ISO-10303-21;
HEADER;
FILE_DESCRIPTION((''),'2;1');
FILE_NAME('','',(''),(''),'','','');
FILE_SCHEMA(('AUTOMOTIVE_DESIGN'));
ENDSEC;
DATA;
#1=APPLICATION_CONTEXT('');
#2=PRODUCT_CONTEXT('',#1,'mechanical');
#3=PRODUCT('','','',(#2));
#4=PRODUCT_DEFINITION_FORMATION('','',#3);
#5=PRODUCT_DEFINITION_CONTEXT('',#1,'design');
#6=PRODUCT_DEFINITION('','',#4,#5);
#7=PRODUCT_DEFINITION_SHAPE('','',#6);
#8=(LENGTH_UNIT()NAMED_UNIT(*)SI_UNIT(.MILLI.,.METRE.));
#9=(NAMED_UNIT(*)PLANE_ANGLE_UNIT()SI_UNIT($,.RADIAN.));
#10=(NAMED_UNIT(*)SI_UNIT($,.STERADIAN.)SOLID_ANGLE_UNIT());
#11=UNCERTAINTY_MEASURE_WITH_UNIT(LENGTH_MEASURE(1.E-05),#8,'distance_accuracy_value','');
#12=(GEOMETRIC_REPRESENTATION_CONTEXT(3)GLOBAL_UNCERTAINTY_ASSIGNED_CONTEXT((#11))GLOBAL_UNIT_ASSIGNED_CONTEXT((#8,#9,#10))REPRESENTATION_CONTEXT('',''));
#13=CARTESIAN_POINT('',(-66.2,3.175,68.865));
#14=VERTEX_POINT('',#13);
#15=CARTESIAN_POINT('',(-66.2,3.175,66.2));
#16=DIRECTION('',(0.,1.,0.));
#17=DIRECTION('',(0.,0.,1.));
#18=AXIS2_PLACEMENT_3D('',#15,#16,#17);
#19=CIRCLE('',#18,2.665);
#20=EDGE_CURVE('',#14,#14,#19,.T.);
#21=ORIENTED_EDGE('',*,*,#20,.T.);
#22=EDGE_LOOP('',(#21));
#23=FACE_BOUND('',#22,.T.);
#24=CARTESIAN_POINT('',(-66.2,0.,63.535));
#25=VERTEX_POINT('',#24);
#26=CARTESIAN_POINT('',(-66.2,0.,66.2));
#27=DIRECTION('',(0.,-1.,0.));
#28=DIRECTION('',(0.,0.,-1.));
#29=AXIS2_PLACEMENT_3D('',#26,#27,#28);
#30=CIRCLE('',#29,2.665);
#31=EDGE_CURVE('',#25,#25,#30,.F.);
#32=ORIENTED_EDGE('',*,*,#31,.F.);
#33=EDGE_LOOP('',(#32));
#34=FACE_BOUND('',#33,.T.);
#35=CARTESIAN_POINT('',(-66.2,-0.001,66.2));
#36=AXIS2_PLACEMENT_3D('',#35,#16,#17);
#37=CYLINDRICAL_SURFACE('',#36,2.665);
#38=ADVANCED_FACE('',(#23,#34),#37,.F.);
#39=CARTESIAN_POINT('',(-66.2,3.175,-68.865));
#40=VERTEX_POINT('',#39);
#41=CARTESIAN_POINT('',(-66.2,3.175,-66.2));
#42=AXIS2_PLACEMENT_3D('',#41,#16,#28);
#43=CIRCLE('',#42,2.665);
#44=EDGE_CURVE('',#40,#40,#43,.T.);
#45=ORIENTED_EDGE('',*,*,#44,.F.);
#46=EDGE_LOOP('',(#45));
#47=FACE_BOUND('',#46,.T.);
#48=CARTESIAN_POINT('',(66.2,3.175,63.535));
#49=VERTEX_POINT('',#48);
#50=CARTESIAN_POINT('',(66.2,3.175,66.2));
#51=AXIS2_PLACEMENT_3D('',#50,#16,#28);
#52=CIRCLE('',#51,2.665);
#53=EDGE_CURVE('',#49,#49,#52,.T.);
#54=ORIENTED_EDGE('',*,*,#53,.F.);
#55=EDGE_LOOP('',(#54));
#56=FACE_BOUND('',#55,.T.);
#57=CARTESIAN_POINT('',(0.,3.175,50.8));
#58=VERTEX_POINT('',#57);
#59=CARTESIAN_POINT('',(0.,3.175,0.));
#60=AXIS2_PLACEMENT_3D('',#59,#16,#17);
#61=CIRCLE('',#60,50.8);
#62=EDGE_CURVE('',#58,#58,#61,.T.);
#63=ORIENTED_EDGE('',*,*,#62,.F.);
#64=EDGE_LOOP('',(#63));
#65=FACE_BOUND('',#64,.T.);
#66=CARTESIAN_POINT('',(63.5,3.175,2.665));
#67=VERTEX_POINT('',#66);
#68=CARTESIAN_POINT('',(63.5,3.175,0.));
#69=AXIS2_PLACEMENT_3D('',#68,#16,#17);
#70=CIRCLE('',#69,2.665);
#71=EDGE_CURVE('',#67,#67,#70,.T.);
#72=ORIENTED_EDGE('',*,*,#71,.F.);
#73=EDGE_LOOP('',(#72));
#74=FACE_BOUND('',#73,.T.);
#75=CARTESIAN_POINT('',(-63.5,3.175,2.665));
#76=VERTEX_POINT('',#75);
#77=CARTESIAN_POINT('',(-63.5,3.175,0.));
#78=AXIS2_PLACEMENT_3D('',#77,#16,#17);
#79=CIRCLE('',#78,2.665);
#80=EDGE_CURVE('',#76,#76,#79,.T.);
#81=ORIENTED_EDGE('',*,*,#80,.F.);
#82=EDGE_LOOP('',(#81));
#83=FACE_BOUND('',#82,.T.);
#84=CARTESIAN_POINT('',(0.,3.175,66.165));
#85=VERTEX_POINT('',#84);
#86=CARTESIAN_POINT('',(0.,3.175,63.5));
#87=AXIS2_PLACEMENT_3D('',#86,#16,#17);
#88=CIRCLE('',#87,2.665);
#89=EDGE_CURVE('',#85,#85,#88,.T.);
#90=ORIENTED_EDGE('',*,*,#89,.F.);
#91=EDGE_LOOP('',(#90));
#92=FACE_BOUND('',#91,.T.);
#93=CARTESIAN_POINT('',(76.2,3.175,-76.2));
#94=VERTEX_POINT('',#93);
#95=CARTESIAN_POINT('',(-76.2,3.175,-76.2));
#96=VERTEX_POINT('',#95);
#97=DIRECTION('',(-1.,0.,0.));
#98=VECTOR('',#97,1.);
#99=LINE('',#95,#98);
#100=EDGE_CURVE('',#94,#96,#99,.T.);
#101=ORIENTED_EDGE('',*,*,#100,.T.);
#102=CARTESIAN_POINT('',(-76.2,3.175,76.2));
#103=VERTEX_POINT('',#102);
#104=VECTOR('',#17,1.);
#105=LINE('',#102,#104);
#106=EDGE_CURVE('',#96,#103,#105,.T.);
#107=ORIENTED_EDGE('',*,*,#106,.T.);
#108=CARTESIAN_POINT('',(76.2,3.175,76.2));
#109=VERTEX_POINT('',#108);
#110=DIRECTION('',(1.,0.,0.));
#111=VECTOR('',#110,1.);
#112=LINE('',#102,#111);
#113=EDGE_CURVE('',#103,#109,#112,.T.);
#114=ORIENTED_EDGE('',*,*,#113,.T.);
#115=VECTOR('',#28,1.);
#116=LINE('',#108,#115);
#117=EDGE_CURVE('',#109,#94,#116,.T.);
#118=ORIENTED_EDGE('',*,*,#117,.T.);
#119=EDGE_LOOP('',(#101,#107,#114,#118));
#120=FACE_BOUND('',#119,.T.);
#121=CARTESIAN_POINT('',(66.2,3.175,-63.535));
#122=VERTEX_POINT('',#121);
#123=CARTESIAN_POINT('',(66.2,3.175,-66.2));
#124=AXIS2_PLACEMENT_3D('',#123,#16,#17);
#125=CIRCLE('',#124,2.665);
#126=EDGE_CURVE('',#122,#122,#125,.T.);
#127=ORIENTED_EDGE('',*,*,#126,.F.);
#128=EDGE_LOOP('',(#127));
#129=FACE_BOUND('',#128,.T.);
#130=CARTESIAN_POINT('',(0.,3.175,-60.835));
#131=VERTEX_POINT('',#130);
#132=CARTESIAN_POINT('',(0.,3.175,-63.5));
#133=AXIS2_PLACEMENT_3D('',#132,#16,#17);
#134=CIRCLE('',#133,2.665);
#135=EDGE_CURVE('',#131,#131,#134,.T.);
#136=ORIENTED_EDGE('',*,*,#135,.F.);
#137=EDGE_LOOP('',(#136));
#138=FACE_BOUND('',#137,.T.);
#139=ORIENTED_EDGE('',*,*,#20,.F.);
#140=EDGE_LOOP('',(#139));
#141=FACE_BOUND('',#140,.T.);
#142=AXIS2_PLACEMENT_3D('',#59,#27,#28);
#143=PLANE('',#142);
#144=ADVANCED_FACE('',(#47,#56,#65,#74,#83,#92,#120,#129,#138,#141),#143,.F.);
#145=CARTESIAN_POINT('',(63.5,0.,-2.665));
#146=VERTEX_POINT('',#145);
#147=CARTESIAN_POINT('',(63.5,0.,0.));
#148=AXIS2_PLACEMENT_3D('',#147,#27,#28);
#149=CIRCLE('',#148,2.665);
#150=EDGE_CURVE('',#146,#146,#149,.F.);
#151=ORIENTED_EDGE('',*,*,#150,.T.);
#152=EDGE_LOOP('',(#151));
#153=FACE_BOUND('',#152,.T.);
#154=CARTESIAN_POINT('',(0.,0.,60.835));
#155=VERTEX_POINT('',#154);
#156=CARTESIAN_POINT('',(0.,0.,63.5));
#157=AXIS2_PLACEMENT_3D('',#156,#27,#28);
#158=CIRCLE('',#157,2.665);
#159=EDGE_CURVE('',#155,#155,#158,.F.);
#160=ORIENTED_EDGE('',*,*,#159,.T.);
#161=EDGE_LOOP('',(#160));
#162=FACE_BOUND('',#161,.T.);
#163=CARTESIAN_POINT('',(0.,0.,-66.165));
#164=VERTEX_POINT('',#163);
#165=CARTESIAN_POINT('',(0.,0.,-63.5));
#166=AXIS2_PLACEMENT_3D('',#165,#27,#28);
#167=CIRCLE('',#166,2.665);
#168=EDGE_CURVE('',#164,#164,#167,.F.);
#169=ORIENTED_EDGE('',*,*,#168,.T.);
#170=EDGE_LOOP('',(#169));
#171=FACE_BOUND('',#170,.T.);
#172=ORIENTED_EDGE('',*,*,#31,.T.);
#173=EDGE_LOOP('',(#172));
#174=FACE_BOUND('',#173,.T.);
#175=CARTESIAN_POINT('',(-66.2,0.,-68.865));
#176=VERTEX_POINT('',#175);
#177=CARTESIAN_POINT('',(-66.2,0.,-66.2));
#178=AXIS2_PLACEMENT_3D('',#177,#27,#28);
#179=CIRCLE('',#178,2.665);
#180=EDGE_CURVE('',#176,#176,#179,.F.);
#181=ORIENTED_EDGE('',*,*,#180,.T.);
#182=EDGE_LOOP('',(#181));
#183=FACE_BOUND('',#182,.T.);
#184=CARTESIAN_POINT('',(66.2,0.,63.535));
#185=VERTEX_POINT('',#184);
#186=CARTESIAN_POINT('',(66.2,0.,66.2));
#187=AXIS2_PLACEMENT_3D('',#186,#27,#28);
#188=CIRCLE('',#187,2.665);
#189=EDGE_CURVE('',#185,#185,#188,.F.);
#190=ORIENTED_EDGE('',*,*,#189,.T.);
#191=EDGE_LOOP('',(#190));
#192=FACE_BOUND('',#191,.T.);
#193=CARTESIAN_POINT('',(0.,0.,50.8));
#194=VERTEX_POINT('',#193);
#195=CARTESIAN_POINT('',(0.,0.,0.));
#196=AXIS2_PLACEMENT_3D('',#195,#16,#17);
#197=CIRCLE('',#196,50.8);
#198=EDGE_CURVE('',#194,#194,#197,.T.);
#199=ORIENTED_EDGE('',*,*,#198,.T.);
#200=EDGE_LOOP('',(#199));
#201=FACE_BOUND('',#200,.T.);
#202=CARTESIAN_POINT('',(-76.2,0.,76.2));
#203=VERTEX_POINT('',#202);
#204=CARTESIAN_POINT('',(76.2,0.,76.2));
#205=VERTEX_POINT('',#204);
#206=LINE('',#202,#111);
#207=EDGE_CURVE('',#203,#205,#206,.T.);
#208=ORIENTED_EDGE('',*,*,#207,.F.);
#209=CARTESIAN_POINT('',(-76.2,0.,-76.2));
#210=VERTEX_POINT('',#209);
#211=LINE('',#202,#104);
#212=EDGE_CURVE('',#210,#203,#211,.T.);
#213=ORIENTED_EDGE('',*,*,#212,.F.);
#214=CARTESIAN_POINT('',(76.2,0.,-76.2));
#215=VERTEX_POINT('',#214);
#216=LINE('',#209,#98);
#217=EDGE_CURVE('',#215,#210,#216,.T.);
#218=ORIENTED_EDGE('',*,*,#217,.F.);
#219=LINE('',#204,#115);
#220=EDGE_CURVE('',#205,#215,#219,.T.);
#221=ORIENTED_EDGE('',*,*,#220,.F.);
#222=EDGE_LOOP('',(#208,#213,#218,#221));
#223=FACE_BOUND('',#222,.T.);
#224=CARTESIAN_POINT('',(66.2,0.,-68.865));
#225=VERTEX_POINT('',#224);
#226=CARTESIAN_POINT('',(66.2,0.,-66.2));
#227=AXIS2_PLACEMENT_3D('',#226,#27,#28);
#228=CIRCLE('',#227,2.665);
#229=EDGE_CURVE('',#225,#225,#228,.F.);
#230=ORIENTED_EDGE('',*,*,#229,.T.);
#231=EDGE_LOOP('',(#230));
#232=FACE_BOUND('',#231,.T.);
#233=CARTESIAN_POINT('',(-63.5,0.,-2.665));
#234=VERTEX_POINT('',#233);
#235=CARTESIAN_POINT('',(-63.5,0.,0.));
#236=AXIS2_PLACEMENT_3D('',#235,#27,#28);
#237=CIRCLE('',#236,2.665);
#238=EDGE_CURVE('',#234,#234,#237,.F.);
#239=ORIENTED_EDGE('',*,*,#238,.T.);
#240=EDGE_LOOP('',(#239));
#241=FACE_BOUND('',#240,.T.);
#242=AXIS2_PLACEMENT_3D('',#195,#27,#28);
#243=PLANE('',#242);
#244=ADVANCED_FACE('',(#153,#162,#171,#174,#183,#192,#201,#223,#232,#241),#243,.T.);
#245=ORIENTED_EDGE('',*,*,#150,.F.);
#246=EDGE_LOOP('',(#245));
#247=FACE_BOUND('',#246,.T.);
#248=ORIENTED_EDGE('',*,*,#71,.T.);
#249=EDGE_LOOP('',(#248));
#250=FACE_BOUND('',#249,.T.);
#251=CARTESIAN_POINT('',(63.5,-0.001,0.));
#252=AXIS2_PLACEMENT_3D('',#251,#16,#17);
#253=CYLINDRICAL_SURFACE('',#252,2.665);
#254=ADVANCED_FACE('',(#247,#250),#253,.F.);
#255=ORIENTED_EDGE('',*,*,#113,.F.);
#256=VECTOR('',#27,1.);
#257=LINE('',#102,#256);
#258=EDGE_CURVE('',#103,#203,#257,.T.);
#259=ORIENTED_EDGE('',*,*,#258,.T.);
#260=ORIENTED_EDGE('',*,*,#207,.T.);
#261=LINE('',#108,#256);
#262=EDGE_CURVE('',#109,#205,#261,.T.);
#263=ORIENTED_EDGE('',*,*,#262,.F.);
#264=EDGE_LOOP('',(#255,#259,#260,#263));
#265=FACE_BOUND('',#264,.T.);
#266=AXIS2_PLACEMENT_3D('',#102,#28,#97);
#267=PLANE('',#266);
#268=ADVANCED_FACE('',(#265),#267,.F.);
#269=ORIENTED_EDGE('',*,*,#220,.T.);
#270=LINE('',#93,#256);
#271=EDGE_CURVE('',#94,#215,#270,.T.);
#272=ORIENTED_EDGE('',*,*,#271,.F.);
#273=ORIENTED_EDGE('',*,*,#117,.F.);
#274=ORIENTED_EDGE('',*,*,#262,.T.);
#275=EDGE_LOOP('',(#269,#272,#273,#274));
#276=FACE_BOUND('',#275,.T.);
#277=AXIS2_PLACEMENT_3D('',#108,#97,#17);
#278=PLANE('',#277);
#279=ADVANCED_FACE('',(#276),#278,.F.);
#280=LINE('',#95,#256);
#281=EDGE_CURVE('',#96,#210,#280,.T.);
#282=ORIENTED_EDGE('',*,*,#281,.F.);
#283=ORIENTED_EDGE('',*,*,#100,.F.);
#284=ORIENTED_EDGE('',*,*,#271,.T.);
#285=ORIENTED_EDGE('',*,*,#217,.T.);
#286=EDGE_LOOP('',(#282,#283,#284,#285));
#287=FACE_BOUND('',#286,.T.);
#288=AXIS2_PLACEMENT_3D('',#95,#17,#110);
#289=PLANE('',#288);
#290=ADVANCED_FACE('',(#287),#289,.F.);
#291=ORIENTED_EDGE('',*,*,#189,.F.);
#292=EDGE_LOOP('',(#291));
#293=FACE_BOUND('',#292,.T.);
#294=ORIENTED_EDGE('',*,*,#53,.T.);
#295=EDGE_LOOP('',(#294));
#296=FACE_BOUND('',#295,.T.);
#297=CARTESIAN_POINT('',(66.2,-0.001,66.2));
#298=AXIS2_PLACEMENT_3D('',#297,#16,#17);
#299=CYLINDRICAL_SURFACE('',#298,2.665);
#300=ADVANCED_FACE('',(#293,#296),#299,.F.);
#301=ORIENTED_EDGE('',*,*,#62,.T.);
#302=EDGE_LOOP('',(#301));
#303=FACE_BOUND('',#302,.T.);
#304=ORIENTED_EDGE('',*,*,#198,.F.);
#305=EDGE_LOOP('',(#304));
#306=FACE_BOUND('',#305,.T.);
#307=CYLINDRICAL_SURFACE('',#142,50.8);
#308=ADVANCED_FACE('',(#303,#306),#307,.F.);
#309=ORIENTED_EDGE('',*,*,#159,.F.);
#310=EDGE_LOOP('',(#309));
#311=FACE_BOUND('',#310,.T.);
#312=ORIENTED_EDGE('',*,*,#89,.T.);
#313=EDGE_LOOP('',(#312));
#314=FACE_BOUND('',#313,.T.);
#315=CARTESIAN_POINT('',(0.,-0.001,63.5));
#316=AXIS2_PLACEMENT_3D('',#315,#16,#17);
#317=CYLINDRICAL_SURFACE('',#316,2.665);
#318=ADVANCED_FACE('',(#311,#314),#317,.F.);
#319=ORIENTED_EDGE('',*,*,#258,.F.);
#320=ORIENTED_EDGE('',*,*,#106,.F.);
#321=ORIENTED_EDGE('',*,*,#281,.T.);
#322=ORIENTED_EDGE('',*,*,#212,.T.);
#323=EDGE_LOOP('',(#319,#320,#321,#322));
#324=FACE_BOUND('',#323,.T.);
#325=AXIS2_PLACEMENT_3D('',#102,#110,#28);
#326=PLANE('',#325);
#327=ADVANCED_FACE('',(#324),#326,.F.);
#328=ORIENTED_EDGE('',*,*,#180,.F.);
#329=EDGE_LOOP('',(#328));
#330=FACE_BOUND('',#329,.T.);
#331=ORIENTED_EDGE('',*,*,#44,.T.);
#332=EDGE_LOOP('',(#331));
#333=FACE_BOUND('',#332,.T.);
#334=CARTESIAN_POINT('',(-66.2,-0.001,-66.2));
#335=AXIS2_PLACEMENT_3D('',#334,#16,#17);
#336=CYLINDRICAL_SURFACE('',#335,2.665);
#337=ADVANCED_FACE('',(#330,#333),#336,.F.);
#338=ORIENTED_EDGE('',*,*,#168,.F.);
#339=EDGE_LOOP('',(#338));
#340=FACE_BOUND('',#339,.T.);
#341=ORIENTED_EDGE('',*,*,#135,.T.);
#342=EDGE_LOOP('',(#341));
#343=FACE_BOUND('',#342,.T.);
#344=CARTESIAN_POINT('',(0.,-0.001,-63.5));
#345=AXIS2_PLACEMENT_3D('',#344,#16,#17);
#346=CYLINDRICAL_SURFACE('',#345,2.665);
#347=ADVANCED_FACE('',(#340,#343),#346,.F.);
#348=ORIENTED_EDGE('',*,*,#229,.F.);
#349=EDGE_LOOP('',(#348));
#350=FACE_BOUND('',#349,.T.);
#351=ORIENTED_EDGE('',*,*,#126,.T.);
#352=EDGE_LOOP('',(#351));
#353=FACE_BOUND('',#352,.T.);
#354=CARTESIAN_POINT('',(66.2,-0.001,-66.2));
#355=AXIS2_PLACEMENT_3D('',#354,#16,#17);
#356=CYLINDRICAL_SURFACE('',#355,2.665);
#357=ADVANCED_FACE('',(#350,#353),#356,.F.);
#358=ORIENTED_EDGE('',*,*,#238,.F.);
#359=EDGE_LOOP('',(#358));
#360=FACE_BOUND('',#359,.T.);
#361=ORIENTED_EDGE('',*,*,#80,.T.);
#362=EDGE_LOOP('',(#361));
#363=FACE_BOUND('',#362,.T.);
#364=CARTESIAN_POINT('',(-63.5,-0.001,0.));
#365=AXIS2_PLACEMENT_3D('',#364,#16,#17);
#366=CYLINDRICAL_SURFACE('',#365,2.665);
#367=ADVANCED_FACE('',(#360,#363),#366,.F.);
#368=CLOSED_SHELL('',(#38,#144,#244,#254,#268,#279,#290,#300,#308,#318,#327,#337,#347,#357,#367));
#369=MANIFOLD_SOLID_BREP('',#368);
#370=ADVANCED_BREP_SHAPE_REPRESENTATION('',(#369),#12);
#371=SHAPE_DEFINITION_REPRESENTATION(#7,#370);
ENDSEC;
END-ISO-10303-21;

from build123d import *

# Parameters (mm, degrees)
SKETCH2_W           = 152.4
SKETCH2_H           = 152.4
SKETCH2_R           = 50.8
BOSS_EXTRUDE1_DEPTH = 3.175
CUT_EXTRUDE1_REACH  = 109.81
SKETCH3_R           = 2.665000004
CUT_EXTRUDE2_REACH  = 109.81
SKETCH4_R           = 2.665000004


with BuildPart() as part:
    # Sketch2 → Boss-Extrude1 (new body)
    with BuildSketch(Plane(origin=(0, 0, 0), x_dir=(1, 0, 0), z_dir=(0, 1, 0))):
        Rectangle(SKETCH2_W, SKETCH2_H)
        with Locations(Location((0, 0, 0), (0, 0, 270))):
            Circle(SKETCH2_R, mode=Mode.SUBTRACT)
    extrude(amount=BOSS_EXTRUDE1_DEPTH)

    # Sketch3 → Cut-Extrude1 (cut, up to next)
    with BuildSketch(Plane(origin=(0, 3.175, 0), x_dir=(1, 0, 0), z_dir=(0, 1, 0)), mode=Mode.PRIVATE) as cut_extrude1_sk1:
        with Locations(Location((-66.2, -66.2, 0), (0, 0, 270))):
            Circle(SKETCH3_R)
    cut_extrude1_tool1 = extrude(cut_extrude1_sk1.sketch, amount=-CUT_EXTRUDE1_REACH, mode=Mode.PRIVATE) & part.part
    # Sketch3 → Cut-Extrude1 (cut, up to next)
    with BuildSketch(Plane(origin=(0, 3.175, 0), x_dir=(1, 0, 0), z_dir=(0, 1, 0)), mode=Mode.PRIVATE) as cut_extrude1_sk2:
        with Locations(Location((-66.2, 66.2, 0), (0, 0, 90))):
            Circle(SKETCH3_R)
    cut_extrude1_tool2 = extrude(cut_extrude1_sk2.sketch, amount=-CUT_EXTRUDE1_REACH, mode=Mode.PRIVATE) & part.part
    # Sketch3 → Cut-Extrude1 (cut, up to next)
    with BuildSketch(Plane(origin=(0, 3.175, 0), x_dir=(1, 0, 0), z_dir=(0, 1, 0)), mode=Mode.PRIVATE) as cut_extrude1_sk3:
        with Locations(Location((66.2, 66.2, 0), (0, 0, 270))):
            Circle(SKETCH3_R)
    cut_extrude1_tool3 = extrude(cut_extrude1_sk3.sketch, amount=-CUT_EXTRUDE1_REACH, mode=Mode.PRIVATE) & part.part
    # Sketch3 → Cut-Extrude1 (cut, up to next)
    with BuildSketch(Plane(origin=(0, 3.175, 0), x_dir=(1, 0, 0), z_dir=(0, 1, 0)), mode=Mode.PRIVATE) as cut_extrude1_sk4:
        with Locations(Location((66.2, -66.2, 0), (0, 0, 90))):
            Circle(SKETCH3_R)
    cut_extrude1_tool4 = extrude(cut_extrude1_sk4.sketch, amount=-CUT_EXTRUDE1_REACH, mode=Mode.PRIVATE) & part.part
    add(cut_extrude1_tool1.solids().sort_by_distance((-66.2, 3.175, 66.2))[0], mode=Mode.SUBTRACT)
    add(cut_extrude1_tool2.solids().sort_by_distance((-66.2, 3.175, -66.2))[0], mode=Mode.SUBTRACT)
    add(cut_extrude1_tool3.solids().sort_by_distance((66.2, 3.175, -66.2))[0], mode=Mode.SUBTRACT)
    add(cut_extrude1_tool4.solids().sort_by_distance((66.2, 3.175, 66.2))[0], mode=Mode.SUBTRACT)

    # Sketch4 → Cut-Extrude2 (cut, up to next)
    with BuildSketch(Plane(origin=(0, 3.175, 0), x_dir=(1, 0, 0), z_dir=(0, 1, 0)), mode=Mode.PRIVATE) as cut_extrude2_sk1:
        with Locations(Location((0, 63.5, 0), (0, 0, 270))):
            Circle(SKETCH4_R)
    cut_extrude2_tool1 = extrude(cut_extrude2_sk1.sketch, amount=-CUT_EXTRUDE2_REACH, mode=Mode.PRIVATE) & part.part
    # Sketch4 → Cut-Extrude2 (cut, up to next)
    with BuildSketch(Plane(origin=(0, 3.175, 0), x_dir=(1, 0, 0), z_dir=(0, 1, 0)), mode=Mode.PRIVATE) as cut_extrude2_sk2:
        with Locations(Location((-63.5, 0, 0), (0, 0, 270))):
            Circle(SKETCH4_R)
    cut_extrude2_tool2 = extrude(cut_extrude2_sk2.sketch, amount=-CUT_EXTRUDE2_REACH, mode=Mode.PRIVATE) & part.part
    # Sketch4 → Cut-Extrude2 (cut, up to next)
    with BuildSketch(Plane(origin=(0, 3.175, 0), x_dir=(1, 0, 0), z_dir=(0, 1, 0)), mode=Mode.PRIVATE) as cut_extrude2_sk3:
        with Locations(Location((0, -63.5, 0), (0, 0, 270))):
            Circle(SKETCH4_R)
    cut_extrude2_tool3 = extrude(cut_extrude2_sk3.sketch, amount=-CUT_EXTRUDE2_REACH, mode=Mode.PRIVATE) & part.part
    # Sketch4 → Cut-Extrude2 (cut, up to next)
    with BuildSketch(Plane(origin=(0, 3.175, 0), x_dir=(1, 0, 0), z_dir=(0, 1, 0)), mode=Mode.PRIVATE) as cut_extrude2_sk4:
        with Locations(Location((63.5, 0, 0), (0, 0, 270))):
            Circle(SKETCH4_R)
    cut_extrude2_tool4 = extrude(cut_extrude2_sk4.sketch, amount=-CUT_EXTRUDE2_REACH, mode=Mode.PRIVATE) & part.part
    add(cut_extrude2_tool1.solids().sort_by_distance((0, 3.175, -63.5))[0], mode=Mode.SUBTRACT)
    add(cut_extrude2_tool2.solids().sort_by_distance((-63.5, 3.175, 0))[0], mode=Mode.SUBTRACT)
    add(cut_extrude2_tool3.solids().sort_by_distance((0, 3.175, 63.5))[0], mode=Mode.SUBTRACT)
    add(cut_extrude2_tool4.solids().sort_by_distance((63.5, 3.175, 0))[0], mode=Mode.SUBTRACT)


solid = part.part
